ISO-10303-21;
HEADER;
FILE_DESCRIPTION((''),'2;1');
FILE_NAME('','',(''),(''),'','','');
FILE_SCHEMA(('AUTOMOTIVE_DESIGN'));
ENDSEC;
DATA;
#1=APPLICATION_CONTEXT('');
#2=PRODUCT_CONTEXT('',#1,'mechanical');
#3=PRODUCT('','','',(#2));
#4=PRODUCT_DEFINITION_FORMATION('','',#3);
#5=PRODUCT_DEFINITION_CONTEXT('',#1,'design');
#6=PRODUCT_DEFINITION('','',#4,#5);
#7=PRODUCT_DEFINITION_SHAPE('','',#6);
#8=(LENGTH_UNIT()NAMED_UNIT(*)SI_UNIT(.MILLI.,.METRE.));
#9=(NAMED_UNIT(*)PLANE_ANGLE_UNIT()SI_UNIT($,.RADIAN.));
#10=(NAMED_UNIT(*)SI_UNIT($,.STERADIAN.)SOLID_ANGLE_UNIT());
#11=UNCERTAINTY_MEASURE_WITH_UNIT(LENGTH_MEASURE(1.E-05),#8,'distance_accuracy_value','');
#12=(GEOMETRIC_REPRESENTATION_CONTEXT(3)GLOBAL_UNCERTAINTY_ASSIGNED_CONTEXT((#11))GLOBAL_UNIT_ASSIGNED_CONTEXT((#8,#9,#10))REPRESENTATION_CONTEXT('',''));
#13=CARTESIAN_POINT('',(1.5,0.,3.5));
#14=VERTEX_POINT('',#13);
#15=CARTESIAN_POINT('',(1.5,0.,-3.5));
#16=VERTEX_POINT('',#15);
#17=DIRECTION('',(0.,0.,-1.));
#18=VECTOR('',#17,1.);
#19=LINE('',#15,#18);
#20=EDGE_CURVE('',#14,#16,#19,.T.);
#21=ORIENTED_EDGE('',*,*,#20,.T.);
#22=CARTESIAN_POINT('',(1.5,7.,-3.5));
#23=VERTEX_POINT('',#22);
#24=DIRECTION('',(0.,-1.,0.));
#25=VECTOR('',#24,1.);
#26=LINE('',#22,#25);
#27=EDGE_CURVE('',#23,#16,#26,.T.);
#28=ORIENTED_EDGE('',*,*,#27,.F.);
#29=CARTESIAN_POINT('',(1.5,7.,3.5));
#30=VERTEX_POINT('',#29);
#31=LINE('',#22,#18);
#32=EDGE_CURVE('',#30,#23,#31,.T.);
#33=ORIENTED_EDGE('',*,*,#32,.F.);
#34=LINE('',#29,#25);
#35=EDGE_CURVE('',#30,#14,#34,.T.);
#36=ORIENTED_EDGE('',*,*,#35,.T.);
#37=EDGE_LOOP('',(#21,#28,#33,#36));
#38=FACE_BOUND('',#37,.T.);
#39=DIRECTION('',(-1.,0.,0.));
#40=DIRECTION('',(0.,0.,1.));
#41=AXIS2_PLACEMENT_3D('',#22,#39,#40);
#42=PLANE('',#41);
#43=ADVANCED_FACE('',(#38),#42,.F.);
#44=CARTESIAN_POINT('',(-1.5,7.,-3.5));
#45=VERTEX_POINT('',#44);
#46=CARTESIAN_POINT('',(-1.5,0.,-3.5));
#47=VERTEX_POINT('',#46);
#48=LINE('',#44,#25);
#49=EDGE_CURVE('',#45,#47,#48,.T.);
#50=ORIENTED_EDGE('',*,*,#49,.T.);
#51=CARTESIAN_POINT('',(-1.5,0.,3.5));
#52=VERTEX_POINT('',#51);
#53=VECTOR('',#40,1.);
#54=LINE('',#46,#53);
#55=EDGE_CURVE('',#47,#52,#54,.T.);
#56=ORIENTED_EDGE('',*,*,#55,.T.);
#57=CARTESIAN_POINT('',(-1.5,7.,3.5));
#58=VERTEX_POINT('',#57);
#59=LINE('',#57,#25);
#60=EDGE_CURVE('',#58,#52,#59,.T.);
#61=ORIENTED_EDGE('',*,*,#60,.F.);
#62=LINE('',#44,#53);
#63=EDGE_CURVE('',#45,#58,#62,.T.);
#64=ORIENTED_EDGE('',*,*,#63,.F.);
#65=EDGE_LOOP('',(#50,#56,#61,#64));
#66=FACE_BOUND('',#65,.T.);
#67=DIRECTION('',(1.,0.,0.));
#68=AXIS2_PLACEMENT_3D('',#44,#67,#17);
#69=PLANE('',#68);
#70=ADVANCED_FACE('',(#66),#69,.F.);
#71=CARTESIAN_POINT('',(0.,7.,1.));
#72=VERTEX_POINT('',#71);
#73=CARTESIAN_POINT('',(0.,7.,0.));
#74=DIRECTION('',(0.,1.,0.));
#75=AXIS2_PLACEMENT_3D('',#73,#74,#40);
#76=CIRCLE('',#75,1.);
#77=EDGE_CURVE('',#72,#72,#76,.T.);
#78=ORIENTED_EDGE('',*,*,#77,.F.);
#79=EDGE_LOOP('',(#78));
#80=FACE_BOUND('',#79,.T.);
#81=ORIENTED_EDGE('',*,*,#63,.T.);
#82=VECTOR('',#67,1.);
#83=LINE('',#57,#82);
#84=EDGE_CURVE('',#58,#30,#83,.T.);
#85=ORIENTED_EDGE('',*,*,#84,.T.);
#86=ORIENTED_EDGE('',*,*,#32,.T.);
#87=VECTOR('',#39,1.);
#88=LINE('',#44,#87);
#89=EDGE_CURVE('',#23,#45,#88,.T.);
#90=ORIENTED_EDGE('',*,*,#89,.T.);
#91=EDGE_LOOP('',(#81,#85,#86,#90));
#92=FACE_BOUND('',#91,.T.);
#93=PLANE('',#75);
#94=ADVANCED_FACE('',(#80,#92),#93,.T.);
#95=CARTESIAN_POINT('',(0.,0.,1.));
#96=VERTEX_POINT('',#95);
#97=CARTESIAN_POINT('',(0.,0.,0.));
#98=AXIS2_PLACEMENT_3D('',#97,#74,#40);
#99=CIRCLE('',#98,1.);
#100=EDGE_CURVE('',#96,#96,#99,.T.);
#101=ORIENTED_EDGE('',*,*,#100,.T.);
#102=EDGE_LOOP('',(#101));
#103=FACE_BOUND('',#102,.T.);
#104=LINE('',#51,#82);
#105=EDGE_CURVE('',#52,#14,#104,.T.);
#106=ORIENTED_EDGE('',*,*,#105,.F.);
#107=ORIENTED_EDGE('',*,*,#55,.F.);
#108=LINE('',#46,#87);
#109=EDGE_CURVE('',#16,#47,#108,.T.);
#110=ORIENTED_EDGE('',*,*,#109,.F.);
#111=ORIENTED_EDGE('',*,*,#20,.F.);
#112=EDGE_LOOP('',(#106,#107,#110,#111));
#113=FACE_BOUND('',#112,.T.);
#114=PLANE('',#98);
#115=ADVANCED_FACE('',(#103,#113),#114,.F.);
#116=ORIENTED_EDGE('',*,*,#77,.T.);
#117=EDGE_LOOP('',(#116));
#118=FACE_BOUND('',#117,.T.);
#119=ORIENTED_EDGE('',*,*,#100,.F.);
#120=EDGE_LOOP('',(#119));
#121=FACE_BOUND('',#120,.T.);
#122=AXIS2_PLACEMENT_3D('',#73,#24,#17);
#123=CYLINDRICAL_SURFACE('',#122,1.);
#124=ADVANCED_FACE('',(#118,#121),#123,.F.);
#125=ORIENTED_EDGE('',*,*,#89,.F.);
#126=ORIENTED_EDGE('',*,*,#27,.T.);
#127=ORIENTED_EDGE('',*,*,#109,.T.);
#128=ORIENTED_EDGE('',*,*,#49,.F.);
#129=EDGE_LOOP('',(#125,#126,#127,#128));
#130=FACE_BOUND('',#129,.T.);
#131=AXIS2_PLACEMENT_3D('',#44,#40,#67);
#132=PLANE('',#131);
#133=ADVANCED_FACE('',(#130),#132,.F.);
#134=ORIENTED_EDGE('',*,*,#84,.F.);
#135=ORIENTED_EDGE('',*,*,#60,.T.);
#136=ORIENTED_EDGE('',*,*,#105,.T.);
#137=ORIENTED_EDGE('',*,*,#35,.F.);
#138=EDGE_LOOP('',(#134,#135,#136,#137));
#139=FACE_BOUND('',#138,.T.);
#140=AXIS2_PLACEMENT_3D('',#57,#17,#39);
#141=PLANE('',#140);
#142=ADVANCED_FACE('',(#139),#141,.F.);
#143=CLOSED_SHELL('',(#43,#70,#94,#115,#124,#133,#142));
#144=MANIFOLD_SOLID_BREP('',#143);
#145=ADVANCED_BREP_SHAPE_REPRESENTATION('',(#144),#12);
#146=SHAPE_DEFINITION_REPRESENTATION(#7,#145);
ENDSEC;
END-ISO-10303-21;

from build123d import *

# Parameters (mm, degrees)
SKETCH1_W           = 3
SKETCH1_H           = 7
SKETCH1_R           = 1
BOSS_EXTRUDE1_DEPTH = 7


with BuildPart() as part:
    # Sketch1 → Boss-Extrude1 (new body)
    with BuildSketch(Plane(origin=(0, 0, 0), x_dir=(1, 0, 0), z_dir=(0, 1, 0))):
        Rectangle(SKETCH1_W, SKETCH1_H)
        with Locations(Location((0, 0, 0), (0, 0, 270))):
            Circle(SKETCH1_R, mode=Mode.SUBTRACT)
    extrude(amount=BOSS_EXTRUDE1_DEPTH)


solid = part.part
